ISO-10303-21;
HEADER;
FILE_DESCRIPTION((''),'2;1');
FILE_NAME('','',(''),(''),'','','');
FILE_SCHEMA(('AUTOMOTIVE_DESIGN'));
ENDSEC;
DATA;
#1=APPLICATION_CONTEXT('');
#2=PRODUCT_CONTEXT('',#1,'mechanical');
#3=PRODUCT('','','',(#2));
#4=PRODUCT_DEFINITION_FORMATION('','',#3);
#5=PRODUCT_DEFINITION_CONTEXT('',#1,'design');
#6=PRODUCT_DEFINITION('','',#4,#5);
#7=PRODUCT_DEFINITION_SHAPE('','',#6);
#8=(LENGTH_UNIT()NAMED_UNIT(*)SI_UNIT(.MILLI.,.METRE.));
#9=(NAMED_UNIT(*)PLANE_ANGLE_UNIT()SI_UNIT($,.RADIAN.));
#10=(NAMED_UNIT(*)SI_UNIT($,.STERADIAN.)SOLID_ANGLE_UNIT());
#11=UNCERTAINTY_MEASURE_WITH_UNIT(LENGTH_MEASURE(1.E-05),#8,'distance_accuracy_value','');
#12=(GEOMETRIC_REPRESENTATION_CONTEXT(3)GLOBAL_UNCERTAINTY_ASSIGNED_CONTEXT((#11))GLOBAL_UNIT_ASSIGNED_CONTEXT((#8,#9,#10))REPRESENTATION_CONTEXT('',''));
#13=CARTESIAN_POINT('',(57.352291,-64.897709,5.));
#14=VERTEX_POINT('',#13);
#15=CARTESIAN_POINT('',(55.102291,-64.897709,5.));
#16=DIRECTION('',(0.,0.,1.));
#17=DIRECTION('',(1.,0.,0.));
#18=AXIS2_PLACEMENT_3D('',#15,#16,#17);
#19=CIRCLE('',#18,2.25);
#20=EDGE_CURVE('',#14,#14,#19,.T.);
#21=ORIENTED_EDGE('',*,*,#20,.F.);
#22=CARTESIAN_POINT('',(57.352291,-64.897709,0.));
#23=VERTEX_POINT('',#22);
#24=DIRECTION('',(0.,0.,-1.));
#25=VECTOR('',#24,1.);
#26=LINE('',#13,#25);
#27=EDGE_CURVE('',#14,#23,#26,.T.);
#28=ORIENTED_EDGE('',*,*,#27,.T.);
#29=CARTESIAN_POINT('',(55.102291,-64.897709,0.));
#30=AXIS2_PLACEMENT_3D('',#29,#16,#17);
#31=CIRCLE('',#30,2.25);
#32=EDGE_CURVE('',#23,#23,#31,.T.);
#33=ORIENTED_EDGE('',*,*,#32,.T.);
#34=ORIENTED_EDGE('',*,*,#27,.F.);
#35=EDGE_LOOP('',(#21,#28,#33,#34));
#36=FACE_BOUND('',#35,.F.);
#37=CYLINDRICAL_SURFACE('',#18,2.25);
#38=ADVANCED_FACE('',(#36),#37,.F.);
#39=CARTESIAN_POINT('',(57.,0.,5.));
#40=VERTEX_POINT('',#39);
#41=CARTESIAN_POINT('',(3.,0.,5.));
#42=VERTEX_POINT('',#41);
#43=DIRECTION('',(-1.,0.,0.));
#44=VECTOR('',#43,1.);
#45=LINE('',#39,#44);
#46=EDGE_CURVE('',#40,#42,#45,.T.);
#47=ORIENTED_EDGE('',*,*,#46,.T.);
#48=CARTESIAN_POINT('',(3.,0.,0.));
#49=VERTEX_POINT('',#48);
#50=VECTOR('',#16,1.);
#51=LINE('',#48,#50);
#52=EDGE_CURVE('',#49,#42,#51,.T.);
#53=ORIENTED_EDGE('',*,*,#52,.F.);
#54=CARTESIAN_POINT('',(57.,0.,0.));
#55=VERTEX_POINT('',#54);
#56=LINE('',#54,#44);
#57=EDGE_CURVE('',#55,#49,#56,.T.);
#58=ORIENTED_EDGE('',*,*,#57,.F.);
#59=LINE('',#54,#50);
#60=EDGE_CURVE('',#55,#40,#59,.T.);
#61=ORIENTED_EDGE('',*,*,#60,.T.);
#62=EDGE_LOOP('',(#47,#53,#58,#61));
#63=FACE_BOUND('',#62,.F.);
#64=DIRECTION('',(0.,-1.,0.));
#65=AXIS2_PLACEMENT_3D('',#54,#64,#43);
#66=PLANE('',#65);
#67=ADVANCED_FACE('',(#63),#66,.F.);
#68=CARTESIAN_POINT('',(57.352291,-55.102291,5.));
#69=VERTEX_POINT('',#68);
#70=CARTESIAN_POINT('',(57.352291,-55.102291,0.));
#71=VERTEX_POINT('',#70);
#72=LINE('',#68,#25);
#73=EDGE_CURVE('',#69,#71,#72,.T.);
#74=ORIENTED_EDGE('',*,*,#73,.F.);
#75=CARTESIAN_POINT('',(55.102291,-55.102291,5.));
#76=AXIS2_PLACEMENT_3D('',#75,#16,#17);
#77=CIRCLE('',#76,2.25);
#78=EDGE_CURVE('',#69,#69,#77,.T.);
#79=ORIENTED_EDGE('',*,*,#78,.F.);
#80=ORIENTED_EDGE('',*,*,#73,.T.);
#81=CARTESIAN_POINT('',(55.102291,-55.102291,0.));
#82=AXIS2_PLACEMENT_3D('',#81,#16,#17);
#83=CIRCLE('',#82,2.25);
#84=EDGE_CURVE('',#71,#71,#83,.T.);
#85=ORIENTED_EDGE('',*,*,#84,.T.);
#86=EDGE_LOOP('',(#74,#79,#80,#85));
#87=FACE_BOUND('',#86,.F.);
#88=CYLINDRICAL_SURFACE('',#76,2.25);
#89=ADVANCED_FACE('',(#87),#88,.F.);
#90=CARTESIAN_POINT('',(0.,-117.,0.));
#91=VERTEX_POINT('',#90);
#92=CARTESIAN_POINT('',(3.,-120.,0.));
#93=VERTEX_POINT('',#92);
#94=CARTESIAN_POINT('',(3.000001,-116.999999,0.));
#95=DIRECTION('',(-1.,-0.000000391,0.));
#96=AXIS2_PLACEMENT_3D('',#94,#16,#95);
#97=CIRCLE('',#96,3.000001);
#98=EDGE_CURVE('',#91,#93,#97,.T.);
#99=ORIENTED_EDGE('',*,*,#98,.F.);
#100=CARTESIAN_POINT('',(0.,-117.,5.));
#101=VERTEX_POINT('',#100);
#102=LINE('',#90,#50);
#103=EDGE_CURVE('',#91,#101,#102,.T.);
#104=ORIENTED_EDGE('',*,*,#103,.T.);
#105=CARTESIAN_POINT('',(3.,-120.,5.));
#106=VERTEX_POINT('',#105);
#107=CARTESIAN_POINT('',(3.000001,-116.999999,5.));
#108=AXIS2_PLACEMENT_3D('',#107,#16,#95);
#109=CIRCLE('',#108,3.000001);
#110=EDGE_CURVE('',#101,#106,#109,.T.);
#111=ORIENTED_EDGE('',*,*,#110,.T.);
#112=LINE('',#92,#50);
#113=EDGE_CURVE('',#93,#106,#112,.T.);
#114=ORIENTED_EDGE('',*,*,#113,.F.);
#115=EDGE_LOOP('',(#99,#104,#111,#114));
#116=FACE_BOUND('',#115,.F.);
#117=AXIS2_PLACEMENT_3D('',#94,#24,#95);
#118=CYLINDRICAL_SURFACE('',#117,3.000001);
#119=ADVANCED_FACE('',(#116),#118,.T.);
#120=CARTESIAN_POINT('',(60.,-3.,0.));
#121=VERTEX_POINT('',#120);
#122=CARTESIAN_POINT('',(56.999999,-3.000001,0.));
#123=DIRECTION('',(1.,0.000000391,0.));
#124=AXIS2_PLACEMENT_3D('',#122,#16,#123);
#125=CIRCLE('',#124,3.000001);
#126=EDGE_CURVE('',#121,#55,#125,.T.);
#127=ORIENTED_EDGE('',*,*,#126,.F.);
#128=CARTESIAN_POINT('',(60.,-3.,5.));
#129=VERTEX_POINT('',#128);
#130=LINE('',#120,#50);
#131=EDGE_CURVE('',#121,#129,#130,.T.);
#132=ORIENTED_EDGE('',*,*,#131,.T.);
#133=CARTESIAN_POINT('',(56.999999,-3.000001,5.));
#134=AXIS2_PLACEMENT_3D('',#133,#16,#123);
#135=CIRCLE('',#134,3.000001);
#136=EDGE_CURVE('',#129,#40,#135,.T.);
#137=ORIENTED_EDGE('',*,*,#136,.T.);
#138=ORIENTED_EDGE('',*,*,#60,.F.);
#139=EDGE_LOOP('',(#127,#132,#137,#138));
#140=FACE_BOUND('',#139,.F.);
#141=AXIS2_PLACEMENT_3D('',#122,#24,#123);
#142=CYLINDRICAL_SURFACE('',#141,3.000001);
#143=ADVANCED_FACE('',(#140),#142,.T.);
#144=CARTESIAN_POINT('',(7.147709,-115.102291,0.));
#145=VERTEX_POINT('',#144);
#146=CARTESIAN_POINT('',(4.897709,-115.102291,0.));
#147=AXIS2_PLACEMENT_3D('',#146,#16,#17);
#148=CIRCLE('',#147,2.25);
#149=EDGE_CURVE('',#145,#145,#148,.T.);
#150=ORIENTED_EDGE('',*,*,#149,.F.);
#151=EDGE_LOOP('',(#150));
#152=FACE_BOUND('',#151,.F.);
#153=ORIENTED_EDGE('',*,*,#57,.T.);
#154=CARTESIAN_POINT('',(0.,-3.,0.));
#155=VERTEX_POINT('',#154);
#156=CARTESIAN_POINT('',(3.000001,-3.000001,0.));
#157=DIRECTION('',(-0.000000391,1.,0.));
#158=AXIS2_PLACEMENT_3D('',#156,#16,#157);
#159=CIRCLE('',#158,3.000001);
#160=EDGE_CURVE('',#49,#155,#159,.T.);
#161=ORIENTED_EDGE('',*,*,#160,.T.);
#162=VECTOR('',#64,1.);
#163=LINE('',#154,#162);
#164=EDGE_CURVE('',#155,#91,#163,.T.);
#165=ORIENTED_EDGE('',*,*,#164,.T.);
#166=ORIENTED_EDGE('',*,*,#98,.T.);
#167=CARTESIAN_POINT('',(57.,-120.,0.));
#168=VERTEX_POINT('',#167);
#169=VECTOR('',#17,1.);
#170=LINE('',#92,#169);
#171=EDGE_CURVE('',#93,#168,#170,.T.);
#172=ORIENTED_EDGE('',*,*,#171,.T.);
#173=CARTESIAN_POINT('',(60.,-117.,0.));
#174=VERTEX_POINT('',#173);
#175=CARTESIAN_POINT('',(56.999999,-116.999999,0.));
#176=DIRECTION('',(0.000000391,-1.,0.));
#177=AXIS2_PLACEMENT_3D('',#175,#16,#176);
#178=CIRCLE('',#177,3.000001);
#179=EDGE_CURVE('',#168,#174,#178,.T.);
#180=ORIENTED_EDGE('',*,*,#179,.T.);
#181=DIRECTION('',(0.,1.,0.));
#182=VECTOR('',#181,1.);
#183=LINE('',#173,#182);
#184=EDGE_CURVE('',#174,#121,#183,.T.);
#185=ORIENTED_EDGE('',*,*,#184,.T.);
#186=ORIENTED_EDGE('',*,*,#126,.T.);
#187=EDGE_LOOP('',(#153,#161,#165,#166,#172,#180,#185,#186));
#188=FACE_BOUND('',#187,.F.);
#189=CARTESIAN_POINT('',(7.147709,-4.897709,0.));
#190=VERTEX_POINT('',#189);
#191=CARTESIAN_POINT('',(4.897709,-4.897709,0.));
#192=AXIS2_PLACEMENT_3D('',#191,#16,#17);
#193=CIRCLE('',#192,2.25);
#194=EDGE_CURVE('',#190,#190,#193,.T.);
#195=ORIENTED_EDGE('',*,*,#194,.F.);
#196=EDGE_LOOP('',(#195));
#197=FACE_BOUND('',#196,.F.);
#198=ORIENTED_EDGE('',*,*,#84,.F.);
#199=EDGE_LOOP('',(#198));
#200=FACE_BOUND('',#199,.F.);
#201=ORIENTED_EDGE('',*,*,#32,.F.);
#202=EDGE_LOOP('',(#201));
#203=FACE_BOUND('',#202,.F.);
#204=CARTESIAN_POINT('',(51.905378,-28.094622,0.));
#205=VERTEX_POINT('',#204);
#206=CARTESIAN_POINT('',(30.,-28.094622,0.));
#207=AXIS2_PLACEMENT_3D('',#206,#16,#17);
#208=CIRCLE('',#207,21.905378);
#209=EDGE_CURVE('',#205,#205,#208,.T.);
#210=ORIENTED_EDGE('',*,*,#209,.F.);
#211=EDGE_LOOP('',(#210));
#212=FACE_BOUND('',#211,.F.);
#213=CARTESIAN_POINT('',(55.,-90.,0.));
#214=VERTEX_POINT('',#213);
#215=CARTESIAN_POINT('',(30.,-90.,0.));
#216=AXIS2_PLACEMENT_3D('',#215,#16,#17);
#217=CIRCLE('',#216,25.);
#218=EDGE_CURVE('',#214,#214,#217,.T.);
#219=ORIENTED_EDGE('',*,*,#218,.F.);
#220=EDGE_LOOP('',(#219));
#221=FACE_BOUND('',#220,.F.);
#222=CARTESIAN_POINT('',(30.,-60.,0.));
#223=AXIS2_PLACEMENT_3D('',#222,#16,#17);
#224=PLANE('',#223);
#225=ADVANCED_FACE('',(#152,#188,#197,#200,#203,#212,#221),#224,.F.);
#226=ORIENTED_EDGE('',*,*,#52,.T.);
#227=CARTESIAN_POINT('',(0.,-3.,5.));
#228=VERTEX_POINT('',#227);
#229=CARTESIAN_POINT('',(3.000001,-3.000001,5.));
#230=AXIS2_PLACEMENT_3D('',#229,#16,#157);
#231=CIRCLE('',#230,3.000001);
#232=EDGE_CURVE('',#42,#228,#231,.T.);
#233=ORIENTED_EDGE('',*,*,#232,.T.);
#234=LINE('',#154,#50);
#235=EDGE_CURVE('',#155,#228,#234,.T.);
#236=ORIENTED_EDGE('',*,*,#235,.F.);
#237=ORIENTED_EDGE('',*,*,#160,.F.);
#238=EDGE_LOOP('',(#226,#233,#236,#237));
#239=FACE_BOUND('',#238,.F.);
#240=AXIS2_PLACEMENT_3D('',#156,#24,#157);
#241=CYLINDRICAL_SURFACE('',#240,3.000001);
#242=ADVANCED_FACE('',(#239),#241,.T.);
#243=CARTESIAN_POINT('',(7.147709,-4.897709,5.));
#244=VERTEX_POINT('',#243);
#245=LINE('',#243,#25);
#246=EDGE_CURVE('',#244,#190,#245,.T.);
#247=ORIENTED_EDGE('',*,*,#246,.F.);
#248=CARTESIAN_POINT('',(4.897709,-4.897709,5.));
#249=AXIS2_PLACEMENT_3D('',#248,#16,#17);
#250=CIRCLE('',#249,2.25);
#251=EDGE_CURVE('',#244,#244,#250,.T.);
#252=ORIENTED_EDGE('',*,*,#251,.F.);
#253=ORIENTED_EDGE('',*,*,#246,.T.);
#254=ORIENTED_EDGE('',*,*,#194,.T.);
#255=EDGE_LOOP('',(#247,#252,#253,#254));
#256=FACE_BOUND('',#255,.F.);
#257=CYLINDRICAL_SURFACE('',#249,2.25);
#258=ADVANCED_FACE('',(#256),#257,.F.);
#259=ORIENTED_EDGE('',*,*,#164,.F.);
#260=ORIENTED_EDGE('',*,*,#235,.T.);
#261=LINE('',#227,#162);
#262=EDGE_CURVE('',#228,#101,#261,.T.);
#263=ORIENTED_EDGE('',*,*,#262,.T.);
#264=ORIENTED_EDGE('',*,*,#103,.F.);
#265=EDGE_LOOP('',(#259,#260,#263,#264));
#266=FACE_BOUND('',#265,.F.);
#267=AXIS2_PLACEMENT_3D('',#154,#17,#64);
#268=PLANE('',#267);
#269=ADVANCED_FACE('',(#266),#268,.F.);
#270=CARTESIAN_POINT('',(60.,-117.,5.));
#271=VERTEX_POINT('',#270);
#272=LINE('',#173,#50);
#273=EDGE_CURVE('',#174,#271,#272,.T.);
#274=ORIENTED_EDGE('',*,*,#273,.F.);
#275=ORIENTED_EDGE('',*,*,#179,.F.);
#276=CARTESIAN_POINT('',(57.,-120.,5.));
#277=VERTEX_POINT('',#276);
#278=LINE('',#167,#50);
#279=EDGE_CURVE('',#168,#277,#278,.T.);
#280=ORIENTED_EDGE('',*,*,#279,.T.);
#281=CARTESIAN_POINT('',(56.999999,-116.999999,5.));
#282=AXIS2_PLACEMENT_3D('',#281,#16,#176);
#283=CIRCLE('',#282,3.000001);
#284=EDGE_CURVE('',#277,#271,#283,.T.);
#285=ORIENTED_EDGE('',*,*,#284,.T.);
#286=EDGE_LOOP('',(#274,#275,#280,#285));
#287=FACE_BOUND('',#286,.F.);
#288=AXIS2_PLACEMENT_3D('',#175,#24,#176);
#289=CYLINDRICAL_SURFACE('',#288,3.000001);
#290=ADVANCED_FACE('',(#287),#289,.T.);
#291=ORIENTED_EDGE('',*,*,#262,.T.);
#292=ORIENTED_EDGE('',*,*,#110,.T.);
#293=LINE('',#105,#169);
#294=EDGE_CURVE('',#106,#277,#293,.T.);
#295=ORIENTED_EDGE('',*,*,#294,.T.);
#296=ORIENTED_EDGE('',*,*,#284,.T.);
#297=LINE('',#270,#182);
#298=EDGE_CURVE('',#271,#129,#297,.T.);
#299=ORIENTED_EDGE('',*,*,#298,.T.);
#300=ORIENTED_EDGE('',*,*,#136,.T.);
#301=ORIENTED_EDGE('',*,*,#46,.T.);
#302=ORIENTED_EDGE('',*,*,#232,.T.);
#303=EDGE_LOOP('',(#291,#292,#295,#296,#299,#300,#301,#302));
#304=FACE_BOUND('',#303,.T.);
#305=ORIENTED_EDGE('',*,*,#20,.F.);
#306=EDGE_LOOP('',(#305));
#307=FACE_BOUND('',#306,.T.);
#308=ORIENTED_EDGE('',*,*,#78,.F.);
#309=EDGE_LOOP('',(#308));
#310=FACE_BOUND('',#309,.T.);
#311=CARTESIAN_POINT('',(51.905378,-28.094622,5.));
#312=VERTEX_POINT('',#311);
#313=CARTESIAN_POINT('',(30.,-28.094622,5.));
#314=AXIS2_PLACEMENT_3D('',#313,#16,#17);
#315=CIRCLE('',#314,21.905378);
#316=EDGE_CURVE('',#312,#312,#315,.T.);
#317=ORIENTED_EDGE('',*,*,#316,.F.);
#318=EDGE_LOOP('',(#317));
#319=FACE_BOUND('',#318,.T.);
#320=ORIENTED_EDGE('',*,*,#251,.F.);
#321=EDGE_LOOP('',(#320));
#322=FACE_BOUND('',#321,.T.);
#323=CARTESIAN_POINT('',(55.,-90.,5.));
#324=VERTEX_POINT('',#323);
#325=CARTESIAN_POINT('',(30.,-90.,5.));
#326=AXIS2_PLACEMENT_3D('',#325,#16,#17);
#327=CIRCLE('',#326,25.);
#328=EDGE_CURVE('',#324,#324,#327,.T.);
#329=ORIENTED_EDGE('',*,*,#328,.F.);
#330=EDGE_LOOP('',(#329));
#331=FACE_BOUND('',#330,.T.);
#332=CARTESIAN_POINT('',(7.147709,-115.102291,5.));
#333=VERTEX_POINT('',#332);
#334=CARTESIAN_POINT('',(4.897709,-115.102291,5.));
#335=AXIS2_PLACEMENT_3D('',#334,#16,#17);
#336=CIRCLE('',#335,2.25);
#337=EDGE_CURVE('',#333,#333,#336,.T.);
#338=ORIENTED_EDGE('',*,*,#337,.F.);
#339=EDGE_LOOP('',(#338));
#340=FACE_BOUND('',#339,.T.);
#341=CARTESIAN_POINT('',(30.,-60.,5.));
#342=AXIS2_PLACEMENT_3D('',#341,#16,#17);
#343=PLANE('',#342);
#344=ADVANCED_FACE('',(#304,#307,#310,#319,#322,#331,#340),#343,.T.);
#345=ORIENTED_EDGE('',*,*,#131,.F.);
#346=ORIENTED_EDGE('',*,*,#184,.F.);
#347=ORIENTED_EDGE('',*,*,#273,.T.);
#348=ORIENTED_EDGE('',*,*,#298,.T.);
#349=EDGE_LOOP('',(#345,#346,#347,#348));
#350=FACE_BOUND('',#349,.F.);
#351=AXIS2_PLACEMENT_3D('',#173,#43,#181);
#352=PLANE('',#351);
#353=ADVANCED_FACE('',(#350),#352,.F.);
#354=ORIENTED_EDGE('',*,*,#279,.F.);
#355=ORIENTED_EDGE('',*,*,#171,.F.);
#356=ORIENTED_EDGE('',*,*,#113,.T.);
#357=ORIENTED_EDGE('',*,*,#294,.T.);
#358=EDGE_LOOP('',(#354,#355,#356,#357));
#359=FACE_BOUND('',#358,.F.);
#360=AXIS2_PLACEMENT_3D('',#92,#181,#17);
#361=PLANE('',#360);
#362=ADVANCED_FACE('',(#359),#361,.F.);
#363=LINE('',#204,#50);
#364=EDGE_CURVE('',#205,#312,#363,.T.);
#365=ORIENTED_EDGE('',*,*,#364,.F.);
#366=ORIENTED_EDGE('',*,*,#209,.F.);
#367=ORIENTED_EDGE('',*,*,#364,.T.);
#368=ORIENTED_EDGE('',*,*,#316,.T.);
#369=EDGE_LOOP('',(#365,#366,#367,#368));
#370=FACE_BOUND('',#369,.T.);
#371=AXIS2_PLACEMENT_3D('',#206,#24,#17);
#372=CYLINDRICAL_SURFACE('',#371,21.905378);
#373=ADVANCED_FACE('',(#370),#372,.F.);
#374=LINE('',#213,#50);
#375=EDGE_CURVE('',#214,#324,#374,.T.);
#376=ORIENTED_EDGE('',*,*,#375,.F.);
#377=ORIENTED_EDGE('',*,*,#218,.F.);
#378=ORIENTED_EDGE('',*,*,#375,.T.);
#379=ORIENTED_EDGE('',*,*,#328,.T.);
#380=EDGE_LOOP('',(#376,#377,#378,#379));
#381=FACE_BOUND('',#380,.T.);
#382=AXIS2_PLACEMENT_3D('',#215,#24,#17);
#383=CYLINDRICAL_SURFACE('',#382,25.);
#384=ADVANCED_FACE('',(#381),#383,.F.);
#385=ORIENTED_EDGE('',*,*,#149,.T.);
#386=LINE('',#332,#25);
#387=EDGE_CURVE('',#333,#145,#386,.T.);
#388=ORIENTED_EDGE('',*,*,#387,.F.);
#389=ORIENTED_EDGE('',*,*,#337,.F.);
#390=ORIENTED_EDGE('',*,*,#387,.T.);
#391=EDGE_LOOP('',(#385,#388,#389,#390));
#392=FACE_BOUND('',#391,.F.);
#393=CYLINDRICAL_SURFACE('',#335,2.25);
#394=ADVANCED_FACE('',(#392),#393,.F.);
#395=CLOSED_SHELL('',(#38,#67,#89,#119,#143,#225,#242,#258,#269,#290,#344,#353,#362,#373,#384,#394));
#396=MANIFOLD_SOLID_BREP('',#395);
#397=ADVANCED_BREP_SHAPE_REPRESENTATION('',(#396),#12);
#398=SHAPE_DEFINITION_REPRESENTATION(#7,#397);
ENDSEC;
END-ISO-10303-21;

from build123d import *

# Parameters (mm, degrees)
F0_R     = 25
F0_R_2   = 21.905378
F1_DEPTH = 5
F2_R     = 2.25
F3_DEPTH = 25


with BuildPart() as f1:
    # F0 (on Top) → F1 (new body)
    with BuildSketch(Plane.XY):
        with BuildLine():
            Line((57, 0), (3, 0))
            ThreePointArc((3, 0), (0.87868, -0.87868), (0, -3))
            Line((0, -3), (0, -117))
            ThreePointArc((0, -117), (0.87868, -119.12132), (3, -120))
            Line((3, -120), (57, -120))
            ThreePointArc((57, -120), (59.12132, -119.12132), (60, -117))
            Line((60, -117), (60, -3))
            ThreePointArc((60, -3), (59.12132, -0.87868), (57, 0))
        make_face()
        with Locations((30, -90)):
            Circle(F0_R, mode=Mode.SUBTRACT)
        with Locations((30, -28.094622)):
            Circle(F0_R_2, mode=Mode.SUBTRACT)
    extrude(amount=F1_DEPTH)

    # F2 (on face) → F3 (cut)
    with BuildSketch(Plane.XY.offset(5)):
        with Locations((4.897709, -115.102291)):
            Circle(F2_R)
        with Locations((55.102291, -64.897709)):
            Circle(F2_R)
        with Locations((55.102291, -55.102291)):
            Circle(F2_R)
        with Locations((4.897709, -4.897709)):
            Circle(F2_R)
    extrude(amount=-F3_DEPTH, mode=Mode.SUBTRACT)


solid = f1.part
